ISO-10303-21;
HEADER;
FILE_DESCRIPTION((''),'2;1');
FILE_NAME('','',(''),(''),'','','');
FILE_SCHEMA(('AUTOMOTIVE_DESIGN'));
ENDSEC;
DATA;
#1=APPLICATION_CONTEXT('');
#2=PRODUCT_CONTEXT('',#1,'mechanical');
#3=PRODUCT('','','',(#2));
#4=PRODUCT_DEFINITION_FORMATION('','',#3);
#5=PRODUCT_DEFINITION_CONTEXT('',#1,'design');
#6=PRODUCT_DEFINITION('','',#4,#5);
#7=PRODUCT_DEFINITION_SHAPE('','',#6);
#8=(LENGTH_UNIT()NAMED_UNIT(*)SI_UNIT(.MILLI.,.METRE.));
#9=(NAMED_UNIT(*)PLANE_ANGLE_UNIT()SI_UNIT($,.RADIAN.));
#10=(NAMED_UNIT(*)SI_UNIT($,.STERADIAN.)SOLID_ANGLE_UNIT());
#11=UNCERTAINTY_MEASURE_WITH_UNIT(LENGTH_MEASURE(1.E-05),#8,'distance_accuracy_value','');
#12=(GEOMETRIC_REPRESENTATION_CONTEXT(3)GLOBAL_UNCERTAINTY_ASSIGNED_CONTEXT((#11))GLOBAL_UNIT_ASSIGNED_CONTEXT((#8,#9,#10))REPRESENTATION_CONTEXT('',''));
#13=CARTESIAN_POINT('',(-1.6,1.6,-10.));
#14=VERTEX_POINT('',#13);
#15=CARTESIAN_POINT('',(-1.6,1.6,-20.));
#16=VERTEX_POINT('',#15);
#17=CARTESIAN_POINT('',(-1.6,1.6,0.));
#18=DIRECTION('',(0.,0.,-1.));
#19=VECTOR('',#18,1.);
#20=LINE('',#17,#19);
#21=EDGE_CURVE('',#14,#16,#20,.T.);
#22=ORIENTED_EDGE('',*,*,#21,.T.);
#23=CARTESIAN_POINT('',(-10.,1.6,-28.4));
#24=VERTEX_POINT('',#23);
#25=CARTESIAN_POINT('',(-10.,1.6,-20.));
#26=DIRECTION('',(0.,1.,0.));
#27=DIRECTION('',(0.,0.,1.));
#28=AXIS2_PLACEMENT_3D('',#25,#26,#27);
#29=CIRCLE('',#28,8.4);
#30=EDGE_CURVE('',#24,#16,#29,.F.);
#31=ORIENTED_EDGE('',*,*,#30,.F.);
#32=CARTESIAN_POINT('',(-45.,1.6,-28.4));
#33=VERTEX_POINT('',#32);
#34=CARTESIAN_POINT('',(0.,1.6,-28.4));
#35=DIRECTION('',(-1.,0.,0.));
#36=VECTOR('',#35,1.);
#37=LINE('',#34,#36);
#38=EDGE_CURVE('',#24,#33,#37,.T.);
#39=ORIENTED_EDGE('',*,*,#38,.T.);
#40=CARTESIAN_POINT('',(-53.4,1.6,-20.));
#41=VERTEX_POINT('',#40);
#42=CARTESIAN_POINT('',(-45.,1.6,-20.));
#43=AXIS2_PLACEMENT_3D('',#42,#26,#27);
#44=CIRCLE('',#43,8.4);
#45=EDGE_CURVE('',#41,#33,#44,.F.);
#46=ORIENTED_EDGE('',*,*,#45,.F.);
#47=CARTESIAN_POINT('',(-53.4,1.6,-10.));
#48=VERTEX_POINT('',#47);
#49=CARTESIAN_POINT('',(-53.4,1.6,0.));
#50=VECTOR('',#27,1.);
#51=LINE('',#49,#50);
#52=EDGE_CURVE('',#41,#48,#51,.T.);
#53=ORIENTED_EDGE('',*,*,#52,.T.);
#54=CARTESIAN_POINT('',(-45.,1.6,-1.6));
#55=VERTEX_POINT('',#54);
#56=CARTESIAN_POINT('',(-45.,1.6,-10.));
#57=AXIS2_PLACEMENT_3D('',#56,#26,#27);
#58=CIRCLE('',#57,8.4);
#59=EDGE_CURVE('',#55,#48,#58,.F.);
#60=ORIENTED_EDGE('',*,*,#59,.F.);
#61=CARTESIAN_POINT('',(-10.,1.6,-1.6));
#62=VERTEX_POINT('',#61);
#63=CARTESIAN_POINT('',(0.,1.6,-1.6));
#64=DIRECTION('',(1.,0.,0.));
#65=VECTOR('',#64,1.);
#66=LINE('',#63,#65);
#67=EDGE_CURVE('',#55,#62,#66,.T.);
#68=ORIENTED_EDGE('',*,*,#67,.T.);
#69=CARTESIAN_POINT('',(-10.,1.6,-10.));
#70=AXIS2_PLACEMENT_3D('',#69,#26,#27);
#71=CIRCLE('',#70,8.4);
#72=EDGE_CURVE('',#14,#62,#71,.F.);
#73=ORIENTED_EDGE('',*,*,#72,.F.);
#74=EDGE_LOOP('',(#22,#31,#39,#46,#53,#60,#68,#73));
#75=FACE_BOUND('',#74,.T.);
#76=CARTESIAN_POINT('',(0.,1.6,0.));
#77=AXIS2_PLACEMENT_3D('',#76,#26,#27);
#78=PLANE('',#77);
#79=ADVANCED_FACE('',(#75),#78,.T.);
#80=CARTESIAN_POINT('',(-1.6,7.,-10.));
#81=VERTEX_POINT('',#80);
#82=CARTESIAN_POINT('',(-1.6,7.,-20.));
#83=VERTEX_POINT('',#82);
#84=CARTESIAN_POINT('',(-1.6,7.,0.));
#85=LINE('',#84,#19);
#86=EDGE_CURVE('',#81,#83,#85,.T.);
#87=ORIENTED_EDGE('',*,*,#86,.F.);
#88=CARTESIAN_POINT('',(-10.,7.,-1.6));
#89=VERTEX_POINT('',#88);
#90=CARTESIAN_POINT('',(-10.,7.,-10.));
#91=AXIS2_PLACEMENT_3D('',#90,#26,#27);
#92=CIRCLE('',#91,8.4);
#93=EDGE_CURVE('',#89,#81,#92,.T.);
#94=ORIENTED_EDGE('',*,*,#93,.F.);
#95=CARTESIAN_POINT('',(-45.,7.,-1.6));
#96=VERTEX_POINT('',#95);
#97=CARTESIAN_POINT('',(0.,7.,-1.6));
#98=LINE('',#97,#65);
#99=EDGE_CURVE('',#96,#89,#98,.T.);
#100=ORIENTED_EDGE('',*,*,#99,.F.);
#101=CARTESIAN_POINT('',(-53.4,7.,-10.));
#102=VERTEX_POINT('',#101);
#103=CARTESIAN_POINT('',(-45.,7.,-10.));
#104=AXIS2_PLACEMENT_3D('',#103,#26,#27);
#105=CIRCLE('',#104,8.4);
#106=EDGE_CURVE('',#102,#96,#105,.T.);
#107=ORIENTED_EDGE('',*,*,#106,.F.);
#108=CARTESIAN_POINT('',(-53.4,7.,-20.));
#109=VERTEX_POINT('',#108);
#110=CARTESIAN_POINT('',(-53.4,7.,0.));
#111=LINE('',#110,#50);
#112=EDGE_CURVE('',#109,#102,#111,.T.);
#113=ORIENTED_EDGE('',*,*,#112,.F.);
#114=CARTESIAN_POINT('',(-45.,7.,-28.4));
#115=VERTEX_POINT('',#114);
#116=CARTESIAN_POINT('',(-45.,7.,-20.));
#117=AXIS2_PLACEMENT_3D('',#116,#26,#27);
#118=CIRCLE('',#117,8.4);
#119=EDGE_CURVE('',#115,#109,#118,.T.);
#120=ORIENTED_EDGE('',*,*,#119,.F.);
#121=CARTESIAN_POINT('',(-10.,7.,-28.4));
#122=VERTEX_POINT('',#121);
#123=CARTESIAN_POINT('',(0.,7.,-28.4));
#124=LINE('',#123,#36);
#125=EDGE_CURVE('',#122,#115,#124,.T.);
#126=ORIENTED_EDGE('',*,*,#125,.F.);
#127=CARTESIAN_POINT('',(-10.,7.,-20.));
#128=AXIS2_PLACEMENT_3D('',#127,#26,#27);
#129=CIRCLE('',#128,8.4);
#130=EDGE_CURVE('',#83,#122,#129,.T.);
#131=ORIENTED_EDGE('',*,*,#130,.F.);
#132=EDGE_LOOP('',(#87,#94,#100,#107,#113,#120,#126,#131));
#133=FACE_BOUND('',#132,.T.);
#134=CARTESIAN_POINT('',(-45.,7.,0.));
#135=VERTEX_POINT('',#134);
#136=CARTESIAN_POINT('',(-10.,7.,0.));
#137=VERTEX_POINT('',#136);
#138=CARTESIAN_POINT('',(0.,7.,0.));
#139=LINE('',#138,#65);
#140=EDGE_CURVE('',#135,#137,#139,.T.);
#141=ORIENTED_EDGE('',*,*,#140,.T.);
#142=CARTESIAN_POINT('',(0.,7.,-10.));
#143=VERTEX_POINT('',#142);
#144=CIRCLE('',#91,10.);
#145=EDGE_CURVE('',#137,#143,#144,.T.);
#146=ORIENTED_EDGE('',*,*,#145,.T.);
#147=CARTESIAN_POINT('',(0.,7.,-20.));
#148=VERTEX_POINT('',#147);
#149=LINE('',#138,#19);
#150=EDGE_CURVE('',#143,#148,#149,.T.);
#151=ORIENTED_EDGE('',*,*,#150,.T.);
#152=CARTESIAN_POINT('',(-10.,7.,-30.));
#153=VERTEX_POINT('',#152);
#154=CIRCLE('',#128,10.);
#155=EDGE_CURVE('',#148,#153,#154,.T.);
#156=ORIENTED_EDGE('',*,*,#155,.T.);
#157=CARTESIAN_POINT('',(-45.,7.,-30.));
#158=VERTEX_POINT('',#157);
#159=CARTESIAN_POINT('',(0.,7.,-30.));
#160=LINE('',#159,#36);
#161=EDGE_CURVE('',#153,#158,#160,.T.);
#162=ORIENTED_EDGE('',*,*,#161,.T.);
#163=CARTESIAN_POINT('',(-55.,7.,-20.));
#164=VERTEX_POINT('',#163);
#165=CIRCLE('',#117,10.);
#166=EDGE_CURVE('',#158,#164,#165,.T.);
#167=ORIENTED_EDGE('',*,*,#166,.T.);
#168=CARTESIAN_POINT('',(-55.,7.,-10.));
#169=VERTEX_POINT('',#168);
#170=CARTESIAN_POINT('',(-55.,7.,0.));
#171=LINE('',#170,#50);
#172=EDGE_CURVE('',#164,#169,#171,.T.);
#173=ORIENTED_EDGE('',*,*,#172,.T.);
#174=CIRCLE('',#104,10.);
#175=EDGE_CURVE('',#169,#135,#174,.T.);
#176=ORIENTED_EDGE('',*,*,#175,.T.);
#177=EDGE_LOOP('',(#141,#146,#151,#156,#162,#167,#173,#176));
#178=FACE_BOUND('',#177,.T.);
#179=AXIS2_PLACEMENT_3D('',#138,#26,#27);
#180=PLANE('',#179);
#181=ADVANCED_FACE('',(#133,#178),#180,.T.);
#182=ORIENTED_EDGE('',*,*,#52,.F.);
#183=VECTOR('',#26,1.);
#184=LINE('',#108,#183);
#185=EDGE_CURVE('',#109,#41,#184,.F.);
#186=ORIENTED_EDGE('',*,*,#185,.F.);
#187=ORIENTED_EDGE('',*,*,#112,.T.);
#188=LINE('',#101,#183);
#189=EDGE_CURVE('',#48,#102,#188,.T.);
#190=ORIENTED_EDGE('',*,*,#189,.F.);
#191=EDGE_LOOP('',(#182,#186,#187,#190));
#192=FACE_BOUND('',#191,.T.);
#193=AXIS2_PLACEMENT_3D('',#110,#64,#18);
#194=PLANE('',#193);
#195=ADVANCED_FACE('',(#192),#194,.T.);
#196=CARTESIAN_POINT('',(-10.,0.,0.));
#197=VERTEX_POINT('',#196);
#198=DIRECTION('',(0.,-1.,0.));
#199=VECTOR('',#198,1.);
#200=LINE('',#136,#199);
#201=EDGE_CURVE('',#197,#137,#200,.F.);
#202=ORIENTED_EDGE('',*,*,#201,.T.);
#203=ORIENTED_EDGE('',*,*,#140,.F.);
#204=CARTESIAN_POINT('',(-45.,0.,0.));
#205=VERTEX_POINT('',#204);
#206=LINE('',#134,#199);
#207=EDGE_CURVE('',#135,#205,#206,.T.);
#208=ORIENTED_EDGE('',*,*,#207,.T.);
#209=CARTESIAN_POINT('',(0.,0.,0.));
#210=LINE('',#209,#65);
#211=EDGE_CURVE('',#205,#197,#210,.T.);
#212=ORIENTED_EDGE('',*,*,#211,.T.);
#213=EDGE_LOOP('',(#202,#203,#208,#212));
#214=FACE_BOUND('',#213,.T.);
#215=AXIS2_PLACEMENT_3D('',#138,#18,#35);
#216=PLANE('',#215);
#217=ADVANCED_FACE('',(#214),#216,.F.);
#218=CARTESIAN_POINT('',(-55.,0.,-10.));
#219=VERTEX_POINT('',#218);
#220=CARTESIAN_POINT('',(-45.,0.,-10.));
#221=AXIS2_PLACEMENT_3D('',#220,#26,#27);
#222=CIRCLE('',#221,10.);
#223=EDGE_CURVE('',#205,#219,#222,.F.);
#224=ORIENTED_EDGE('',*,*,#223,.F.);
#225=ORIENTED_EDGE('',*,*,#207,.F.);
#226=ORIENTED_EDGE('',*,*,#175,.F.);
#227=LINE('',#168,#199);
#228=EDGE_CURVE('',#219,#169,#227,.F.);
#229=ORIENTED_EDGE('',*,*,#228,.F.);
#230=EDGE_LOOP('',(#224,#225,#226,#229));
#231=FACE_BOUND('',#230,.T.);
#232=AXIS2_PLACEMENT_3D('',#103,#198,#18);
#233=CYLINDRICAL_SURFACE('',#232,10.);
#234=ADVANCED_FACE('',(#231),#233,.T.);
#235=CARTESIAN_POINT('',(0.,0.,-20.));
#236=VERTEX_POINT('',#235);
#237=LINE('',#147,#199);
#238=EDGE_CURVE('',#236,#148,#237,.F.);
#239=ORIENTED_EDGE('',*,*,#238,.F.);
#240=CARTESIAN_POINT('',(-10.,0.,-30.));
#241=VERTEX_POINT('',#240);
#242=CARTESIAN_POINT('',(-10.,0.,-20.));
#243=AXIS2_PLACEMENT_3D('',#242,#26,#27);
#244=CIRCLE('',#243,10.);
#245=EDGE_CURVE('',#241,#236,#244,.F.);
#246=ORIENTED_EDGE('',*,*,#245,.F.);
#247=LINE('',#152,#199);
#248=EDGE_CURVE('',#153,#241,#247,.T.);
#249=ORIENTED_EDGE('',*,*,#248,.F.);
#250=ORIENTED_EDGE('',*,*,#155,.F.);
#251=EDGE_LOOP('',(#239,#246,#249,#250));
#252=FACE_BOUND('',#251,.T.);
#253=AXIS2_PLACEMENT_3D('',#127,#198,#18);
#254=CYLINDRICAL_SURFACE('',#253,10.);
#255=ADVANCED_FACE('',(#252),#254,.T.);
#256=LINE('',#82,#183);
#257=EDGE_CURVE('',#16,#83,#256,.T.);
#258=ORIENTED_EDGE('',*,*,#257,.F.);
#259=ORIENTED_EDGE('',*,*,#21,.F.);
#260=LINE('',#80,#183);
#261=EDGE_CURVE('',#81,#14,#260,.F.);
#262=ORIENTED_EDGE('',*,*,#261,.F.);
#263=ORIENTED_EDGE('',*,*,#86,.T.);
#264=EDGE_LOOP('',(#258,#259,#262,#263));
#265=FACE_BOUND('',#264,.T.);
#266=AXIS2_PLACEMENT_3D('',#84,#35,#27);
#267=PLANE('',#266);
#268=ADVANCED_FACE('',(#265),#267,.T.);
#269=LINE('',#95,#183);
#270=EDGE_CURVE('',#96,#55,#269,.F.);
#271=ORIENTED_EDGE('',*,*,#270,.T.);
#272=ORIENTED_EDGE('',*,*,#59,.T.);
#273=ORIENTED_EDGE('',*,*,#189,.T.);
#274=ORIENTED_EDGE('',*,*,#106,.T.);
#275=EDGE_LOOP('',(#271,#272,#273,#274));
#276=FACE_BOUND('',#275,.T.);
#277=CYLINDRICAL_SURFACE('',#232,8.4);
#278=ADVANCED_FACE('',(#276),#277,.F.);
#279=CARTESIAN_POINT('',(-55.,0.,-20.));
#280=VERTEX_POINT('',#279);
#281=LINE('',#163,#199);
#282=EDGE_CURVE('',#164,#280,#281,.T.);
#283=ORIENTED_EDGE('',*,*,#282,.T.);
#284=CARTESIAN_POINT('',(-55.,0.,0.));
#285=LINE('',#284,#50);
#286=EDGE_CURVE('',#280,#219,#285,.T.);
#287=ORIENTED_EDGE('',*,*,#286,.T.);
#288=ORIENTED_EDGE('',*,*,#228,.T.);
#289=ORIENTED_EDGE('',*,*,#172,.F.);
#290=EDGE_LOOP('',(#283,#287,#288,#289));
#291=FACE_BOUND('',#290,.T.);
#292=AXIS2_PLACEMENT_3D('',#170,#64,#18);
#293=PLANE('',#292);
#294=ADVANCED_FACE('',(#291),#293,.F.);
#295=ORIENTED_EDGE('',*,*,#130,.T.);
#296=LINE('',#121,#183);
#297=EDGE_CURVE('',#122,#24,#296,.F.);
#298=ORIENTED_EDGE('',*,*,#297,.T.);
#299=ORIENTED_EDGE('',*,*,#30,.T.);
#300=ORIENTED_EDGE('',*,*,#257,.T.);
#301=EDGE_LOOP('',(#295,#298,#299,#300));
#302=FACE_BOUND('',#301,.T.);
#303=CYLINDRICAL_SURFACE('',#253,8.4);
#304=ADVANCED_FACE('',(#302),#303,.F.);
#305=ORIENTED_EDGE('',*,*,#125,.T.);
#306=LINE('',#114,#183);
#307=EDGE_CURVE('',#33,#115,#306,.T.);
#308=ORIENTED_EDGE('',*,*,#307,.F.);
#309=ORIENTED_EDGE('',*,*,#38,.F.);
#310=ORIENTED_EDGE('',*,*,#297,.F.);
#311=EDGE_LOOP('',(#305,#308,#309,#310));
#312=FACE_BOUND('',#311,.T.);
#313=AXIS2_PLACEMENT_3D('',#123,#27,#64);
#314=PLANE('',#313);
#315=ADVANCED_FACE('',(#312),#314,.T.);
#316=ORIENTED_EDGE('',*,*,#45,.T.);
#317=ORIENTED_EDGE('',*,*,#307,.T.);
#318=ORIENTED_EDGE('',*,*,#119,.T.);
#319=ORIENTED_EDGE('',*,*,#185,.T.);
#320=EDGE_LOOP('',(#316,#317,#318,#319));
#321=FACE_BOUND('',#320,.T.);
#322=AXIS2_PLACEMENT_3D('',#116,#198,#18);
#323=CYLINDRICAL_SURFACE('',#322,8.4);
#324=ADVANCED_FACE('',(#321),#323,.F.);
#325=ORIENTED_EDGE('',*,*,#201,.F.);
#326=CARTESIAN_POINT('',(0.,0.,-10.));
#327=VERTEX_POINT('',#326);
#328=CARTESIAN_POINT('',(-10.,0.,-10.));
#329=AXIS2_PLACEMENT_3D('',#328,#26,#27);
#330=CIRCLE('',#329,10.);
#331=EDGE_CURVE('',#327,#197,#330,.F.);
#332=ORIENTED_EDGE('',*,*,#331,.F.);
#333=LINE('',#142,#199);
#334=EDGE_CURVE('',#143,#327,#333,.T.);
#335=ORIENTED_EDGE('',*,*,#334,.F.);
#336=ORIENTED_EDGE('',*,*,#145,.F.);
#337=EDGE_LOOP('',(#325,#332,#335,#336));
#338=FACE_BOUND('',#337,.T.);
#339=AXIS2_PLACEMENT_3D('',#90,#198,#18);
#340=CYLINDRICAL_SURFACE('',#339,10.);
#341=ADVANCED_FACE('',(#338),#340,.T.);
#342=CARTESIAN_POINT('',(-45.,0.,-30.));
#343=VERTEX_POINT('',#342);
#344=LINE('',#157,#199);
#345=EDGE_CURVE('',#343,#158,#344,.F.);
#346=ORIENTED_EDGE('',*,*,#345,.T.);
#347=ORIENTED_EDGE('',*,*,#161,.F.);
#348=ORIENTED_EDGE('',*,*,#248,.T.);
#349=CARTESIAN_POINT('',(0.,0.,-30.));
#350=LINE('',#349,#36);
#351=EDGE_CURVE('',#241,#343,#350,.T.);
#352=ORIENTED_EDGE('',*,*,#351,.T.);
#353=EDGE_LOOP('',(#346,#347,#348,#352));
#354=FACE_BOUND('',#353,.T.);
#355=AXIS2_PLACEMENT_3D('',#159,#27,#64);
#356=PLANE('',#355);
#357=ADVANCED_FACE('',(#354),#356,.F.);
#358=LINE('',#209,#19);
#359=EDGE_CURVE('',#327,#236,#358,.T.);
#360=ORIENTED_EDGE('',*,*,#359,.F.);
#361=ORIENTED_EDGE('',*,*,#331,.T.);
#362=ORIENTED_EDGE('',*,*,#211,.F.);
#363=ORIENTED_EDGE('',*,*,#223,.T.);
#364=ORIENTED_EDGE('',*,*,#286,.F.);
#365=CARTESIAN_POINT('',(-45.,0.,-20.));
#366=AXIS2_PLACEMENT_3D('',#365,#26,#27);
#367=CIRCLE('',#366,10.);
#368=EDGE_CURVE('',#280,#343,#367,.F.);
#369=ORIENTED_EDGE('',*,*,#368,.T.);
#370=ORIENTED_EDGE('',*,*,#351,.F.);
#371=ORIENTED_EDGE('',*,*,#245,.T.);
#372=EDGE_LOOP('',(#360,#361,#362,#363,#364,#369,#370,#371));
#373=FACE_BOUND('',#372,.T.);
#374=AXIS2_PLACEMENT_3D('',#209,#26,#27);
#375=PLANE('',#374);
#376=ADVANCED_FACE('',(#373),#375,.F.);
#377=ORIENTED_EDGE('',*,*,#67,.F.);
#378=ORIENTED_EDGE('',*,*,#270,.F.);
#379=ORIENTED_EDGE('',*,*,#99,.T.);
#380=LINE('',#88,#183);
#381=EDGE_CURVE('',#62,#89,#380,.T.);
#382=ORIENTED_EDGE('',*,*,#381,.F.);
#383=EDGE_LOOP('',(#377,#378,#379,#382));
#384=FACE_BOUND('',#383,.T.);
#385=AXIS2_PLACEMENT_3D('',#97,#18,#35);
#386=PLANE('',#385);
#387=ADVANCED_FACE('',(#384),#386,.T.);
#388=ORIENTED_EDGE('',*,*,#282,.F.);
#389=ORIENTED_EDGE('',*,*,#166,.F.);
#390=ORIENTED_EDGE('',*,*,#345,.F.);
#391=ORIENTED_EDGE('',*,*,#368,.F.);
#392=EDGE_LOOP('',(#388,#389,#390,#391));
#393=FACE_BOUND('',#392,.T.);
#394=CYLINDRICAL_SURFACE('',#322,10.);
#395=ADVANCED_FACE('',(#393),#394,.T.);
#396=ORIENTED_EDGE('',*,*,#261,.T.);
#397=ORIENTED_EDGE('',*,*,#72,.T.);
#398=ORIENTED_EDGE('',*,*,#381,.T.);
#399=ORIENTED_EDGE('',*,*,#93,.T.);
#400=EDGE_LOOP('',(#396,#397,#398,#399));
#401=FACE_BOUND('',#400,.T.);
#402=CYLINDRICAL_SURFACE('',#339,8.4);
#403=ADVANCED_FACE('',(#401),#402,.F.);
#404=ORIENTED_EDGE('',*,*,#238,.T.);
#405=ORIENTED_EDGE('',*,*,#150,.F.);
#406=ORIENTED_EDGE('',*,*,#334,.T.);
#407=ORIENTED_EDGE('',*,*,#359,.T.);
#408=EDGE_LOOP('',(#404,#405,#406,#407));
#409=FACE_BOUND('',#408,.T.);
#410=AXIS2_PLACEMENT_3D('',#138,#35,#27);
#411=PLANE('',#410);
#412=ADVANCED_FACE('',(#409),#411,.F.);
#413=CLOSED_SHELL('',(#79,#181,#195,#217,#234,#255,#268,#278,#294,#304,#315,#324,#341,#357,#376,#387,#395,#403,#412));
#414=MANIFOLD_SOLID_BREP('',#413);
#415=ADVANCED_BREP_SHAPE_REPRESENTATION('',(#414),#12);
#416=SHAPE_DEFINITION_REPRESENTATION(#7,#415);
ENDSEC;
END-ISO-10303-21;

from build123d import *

# Parameters (mm, degrees)
SKICA1_W                = 55
SKICA1_H                = 30
P_IDAT_VYSUNUT_M1_DEPTH = 7
ZAOBLIT1_R              = 10
SKO_EPINA1_T            = -1.6


with BuildPart() as part:
    # Skica1 → Přidat vysunutím1 (new body)
    with BuildSketch(Plane(origin=(0, 0, 0), x_dir=(1, 0, 0), z_dir=(0, 1, 0))):
        with Locations((-27.5, 15)):
            Rectangle(SKICA1_W, SKICA1_H)
    extrude(amount=P_IDAT_VYSUNUT_M1_DEPTH)

    # Zaoblit1
    zaoblit1_edges = [part.edges().sort_by_distance(p)[0] for p in [
        (0, 3.5, 0),
        (-55, 3.5, 0),
        (-55, 3.5, -30),
        (0, 3.5, -30),
    ]]
    fillet(zaoblit1_edges, radius=ZAOBLIT1_R)

    # Skořepina1
    sko_epina1_openings = [part.faces().sort_by_distance(p)[0] for p in [
        (-27.5, 7, -15),
    ]]
    offset(amount=SKO_EPINA1_T, openings=sko_epina1_openings, kind=Kind.INTERSECTION)


solid = part.part
